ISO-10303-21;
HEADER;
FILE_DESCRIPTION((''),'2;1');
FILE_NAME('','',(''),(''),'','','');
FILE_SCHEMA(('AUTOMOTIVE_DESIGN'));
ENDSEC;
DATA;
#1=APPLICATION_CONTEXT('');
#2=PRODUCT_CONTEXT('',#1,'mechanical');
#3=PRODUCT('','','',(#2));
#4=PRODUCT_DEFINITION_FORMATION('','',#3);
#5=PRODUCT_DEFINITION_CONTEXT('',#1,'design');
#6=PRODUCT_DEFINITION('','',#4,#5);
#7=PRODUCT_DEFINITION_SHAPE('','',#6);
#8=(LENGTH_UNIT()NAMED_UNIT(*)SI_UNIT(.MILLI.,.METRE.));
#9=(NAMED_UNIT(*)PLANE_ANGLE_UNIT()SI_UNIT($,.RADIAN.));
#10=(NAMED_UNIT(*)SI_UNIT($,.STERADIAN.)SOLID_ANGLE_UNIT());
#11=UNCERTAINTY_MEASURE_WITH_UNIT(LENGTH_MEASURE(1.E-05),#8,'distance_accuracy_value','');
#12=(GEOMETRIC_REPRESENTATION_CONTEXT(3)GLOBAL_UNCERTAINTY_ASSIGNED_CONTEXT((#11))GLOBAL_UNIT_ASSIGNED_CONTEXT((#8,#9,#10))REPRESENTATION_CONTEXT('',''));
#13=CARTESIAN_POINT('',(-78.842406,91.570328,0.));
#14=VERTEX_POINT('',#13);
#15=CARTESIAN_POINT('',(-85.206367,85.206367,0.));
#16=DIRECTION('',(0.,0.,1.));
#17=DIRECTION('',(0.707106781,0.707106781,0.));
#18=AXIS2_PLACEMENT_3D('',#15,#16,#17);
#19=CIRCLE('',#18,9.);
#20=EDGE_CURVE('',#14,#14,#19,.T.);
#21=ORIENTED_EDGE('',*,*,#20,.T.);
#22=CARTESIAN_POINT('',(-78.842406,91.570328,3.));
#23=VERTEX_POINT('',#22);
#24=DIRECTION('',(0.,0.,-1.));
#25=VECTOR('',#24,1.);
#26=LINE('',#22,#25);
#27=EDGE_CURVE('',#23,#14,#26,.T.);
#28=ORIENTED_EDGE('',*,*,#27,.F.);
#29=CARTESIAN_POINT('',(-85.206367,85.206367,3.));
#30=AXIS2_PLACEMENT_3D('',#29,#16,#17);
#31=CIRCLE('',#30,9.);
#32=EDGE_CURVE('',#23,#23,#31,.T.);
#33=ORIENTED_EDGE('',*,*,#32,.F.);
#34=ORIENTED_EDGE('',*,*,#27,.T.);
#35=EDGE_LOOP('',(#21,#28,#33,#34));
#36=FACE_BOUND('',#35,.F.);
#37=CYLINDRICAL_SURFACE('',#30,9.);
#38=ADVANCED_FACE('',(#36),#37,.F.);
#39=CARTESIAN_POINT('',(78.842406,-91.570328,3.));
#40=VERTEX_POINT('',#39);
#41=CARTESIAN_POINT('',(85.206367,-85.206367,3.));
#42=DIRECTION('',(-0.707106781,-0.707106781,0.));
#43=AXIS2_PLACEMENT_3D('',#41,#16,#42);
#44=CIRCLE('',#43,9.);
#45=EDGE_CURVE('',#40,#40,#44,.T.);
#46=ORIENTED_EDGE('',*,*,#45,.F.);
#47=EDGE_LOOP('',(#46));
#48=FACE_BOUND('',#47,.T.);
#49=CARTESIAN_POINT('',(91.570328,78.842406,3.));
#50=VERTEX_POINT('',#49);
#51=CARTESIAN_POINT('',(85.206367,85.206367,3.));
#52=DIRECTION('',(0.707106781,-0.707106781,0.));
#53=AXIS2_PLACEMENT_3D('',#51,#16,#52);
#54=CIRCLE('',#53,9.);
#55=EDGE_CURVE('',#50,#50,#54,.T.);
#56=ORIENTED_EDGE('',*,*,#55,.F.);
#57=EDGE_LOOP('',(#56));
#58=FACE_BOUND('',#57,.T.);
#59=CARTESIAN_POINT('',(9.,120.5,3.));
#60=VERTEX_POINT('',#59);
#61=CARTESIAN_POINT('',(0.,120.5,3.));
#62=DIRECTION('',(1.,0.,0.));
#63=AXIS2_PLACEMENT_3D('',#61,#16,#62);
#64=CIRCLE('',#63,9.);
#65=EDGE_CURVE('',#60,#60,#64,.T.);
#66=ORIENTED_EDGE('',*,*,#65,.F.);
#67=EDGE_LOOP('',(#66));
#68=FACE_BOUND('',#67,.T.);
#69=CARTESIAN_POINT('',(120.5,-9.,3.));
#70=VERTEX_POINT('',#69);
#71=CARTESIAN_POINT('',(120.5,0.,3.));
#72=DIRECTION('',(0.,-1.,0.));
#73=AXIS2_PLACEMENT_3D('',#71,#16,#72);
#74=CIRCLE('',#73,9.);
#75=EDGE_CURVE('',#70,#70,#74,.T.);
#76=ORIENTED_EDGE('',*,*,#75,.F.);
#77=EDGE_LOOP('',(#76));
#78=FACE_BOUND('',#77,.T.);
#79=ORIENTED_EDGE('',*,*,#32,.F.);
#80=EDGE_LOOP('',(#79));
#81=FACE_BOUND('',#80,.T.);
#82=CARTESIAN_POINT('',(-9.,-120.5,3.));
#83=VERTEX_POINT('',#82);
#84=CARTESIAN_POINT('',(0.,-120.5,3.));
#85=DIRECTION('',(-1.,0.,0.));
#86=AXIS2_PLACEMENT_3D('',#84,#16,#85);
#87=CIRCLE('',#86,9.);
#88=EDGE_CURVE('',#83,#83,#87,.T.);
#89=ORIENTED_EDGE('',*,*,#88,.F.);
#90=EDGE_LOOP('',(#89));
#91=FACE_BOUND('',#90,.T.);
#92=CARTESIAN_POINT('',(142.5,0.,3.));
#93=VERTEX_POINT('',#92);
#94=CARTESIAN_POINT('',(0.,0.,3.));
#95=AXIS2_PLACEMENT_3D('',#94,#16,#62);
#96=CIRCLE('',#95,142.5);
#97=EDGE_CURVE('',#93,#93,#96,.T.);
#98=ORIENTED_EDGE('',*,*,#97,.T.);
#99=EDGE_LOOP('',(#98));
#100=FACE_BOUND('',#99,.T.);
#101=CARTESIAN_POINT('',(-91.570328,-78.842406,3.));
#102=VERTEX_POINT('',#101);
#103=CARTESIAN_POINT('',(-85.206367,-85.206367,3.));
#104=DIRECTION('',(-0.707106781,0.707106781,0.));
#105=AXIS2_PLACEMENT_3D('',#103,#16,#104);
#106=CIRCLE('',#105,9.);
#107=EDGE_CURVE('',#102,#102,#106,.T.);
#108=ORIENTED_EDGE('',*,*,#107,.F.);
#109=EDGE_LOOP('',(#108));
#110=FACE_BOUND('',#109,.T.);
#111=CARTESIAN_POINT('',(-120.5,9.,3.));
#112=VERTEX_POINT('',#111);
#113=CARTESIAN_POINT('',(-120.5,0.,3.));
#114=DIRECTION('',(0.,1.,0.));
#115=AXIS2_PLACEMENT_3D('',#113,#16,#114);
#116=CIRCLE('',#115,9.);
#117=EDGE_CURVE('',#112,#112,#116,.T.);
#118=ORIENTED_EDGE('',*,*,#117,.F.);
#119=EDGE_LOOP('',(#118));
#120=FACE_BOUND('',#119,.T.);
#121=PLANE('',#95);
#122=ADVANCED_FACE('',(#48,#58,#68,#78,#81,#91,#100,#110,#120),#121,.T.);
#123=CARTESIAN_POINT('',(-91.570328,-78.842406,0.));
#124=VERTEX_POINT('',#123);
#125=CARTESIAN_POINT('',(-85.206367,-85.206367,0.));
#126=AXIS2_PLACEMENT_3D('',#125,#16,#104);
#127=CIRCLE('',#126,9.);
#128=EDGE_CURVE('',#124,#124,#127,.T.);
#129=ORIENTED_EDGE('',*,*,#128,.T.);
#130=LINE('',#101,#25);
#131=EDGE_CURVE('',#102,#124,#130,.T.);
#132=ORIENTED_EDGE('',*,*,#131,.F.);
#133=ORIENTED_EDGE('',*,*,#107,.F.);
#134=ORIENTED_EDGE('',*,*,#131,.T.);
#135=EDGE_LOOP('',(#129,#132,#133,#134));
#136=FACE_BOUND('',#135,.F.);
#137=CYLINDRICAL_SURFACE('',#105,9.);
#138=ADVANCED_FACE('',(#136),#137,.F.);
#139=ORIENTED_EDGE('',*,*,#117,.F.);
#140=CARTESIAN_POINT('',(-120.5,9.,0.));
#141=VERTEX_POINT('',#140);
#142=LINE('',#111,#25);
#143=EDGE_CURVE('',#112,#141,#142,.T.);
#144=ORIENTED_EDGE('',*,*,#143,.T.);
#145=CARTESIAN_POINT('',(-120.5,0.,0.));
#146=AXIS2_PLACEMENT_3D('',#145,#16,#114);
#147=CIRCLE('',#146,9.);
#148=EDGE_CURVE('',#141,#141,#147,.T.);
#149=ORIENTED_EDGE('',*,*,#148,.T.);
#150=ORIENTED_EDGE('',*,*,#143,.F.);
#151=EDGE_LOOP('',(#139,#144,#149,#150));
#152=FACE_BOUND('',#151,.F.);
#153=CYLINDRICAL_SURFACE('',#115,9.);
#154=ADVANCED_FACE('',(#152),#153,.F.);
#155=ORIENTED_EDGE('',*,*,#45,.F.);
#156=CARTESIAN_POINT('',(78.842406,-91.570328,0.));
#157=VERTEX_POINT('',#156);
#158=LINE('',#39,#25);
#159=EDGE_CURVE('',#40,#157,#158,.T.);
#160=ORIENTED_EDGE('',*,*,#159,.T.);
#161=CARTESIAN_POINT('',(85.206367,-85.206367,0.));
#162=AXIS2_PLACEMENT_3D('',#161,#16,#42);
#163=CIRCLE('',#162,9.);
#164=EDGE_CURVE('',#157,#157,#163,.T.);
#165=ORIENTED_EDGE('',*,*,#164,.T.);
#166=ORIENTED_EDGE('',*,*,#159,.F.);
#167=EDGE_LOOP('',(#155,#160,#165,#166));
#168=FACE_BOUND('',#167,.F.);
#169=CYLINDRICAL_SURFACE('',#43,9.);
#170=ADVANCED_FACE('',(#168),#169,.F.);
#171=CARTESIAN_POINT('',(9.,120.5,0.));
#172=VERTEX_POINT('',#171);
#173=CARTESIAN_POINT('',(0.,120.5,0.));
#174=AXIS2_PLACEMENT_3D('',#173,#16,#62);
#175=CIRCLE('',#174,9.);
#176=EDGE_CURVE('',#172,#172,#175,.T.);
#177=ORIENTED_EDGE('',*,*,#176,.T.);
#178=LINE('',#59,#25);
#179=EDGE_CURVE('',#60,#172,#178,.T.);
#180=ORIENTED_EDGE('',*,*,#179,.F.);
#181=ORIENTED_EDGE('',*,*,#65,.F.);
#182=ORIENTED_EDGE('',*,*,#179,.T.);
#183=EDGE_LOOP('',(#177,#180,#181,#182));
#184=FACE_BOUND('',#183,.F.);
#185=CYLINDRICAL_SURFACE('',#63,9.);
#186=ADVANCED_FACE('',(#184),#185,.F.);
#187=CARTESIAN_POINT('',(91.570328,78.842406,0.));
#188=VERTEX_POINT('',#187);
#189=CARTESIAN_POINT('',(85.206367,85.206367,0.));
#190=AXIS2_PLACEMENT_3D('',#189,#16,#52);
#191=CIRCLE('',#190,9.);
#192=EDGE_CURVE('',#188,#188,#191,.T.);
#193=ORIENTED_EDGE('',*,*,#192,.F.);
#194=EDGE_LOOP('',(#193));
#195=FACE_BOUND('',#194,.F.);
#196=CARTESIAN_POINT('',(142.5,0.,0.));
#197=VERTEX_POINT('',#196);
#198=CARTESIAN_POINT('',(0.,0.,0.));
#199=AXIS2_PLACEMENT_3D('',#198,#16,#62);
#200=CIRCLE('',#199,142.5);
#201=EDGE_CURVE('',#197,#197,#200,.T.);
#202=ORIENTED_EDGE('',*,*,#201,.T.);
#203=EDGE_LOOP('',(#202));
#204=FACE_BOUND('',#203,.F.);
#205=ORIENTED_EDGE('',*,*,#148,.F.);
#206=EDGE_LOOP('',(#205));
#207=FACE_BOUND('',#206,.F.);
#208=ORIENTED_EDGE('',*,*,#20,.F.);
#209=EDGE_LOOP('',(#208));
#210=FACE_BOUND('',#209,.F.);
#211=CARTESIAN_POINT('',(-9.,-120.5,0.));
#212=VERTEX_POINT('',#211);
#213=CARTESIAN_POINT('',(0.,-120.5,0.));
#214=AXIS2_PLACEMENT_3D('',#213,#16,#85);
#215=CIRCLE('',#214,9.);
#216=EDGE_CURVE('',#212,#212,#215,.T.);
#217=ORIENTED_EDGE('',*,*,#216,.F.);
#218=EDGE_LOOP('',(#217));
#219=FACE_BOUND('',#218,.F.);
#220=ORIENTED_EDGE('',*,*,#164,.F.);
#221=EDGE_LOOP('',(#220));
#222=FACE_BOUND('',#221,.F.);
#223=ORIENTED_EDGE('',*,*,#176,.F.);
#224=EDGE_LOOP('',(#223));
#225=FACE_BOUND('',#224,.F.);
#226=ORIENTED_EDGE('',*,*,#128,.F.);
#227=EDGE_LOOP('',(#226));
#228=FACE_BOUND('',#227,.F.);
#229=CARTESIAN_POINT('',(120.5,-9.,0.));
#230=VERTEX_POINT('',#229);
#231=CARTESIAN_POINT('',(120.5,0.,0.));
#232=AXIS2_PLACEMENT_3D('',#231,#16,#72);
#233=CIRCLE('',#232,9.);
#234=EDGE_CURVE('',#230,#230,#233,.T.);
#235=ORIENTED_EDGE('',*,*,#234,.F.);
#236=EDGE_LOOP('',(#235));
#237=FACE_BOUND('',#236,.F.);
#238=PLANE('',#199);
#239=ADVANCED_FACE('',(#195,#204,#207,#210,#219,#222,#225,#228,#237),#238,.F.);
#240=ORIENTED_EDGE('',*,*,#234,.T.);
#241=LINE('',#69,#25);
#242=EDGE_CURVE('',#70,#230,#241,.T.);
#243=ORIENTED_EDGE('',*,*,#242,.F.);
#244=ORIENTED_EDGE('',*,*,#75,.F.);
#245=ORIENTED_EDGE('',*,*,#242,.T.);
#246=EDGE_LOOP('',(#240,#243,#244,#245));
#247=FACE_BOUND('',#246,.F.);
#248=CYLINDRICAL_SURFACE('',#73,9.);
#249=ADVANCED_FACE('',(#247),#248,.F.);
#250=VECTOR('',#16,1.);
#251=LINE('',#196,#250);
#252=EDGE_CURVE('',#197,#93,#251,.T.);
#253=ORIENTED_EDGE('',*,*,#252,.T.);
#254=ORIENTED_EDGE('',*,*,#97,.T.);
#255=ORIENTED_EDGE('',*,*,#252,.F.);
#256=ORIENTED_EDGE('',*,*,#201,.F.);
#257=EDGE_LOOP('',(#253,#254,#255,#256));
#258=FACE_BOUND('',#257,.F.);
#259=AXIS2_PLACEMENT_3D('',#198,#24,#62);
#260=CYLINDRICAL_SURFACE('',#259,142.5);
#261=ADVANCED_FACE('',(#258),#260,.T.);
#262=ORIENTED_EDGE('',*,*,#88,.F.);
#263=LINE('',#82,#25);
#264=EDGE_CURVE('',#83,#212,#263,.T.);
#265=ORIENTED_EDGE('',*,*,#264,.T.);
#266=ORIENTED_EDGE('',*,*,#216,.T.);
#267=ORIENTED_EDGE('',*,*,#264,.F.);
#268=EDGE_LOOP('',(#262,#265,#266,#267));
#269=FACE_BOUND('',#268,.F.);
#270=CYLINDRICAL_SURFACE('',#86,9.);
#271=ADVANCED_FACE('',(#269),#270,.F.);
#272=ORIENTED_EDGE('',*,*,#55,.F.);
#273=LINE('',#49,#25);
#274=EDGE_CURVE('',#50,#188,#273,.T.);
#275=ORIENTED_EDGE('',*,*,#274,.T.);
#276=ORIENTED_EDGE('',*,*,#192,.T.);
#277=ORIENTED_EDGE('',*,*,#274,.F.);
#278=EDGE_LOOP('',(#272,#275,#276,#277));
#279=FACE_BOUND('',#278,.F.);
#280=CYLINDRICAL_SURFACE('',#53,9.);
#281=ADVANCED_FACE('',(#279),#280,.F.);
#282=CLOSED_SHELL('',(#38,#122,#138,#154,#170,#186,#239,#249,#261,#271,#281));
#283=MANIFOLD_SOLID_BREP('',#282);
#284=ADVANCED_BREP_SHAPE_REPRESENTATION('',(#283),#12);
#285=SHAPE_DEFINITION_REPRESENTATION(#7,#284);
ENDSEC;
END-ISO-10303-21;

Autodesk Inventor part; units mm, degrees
ref_plane "YZ Plane" through (0, 0, 0) normal (1, 0, 0) x (0, 1, 0)
ref_plane "XZ Plane" through (0, 0, 0) normal (0, 1, 0) x (-1, 0, 0)
ref_plane "XY Plane" through (0, 0, 0) normal (0, 0, 1) x (1, 0, 0)
sketch "Sketch1" plane through (0, 0, 0) normal (0, 0, 1) x (1, 0, 0)
  circle A0 centre (0, 0) radius 142.5
  dimension "d22" = 285
extrude "Plate1" add sketch "Sketch1" along normal blind 3
sketch "Sketch5" plane through (0, 0, 3) normal (0, 0, 1) x (1, 0, 0)
  circle A0 centre (0, 0) radius 142.5 projected
  circle A1 centre (0, 120.5) radius 9
  circle A2 centre (0, 0) radius 120.5 construction
  dimension "d23" = 18
  dimension "d30" = 22
extrude "Cut1" cut sketch "Sketch5" against normal blind 3 contours A1
pattern_circular "Circular Pattern1" count 8 over 360 about axis through (0, 0, 0) along (0, 0, 1) of "Cut1"
equation "\"d25\" = Thickness"
equation "\"d2\" = Thickness"
equation "\"BendReliefWidth\" = Thickness"
equation "\"BendReliefDepth\" = 0.5 * Thickness"
equation "\"CornerReliefSize\" = 4 * Thickness"
equation "\"MinimumRemnant\" = 2 * Thickness"
equation "\"TransitionRadius\" = BendRadius"
equation "\"JacobiRadiusSize\" = BendRadius"
equation "\"GapSize\" = Thickness"
equation "\"Thickness\" = 3"
equation "\"BendRadius\" = 5"
properties part number "MSC 922 plug 150" material "Stainless Steel"
